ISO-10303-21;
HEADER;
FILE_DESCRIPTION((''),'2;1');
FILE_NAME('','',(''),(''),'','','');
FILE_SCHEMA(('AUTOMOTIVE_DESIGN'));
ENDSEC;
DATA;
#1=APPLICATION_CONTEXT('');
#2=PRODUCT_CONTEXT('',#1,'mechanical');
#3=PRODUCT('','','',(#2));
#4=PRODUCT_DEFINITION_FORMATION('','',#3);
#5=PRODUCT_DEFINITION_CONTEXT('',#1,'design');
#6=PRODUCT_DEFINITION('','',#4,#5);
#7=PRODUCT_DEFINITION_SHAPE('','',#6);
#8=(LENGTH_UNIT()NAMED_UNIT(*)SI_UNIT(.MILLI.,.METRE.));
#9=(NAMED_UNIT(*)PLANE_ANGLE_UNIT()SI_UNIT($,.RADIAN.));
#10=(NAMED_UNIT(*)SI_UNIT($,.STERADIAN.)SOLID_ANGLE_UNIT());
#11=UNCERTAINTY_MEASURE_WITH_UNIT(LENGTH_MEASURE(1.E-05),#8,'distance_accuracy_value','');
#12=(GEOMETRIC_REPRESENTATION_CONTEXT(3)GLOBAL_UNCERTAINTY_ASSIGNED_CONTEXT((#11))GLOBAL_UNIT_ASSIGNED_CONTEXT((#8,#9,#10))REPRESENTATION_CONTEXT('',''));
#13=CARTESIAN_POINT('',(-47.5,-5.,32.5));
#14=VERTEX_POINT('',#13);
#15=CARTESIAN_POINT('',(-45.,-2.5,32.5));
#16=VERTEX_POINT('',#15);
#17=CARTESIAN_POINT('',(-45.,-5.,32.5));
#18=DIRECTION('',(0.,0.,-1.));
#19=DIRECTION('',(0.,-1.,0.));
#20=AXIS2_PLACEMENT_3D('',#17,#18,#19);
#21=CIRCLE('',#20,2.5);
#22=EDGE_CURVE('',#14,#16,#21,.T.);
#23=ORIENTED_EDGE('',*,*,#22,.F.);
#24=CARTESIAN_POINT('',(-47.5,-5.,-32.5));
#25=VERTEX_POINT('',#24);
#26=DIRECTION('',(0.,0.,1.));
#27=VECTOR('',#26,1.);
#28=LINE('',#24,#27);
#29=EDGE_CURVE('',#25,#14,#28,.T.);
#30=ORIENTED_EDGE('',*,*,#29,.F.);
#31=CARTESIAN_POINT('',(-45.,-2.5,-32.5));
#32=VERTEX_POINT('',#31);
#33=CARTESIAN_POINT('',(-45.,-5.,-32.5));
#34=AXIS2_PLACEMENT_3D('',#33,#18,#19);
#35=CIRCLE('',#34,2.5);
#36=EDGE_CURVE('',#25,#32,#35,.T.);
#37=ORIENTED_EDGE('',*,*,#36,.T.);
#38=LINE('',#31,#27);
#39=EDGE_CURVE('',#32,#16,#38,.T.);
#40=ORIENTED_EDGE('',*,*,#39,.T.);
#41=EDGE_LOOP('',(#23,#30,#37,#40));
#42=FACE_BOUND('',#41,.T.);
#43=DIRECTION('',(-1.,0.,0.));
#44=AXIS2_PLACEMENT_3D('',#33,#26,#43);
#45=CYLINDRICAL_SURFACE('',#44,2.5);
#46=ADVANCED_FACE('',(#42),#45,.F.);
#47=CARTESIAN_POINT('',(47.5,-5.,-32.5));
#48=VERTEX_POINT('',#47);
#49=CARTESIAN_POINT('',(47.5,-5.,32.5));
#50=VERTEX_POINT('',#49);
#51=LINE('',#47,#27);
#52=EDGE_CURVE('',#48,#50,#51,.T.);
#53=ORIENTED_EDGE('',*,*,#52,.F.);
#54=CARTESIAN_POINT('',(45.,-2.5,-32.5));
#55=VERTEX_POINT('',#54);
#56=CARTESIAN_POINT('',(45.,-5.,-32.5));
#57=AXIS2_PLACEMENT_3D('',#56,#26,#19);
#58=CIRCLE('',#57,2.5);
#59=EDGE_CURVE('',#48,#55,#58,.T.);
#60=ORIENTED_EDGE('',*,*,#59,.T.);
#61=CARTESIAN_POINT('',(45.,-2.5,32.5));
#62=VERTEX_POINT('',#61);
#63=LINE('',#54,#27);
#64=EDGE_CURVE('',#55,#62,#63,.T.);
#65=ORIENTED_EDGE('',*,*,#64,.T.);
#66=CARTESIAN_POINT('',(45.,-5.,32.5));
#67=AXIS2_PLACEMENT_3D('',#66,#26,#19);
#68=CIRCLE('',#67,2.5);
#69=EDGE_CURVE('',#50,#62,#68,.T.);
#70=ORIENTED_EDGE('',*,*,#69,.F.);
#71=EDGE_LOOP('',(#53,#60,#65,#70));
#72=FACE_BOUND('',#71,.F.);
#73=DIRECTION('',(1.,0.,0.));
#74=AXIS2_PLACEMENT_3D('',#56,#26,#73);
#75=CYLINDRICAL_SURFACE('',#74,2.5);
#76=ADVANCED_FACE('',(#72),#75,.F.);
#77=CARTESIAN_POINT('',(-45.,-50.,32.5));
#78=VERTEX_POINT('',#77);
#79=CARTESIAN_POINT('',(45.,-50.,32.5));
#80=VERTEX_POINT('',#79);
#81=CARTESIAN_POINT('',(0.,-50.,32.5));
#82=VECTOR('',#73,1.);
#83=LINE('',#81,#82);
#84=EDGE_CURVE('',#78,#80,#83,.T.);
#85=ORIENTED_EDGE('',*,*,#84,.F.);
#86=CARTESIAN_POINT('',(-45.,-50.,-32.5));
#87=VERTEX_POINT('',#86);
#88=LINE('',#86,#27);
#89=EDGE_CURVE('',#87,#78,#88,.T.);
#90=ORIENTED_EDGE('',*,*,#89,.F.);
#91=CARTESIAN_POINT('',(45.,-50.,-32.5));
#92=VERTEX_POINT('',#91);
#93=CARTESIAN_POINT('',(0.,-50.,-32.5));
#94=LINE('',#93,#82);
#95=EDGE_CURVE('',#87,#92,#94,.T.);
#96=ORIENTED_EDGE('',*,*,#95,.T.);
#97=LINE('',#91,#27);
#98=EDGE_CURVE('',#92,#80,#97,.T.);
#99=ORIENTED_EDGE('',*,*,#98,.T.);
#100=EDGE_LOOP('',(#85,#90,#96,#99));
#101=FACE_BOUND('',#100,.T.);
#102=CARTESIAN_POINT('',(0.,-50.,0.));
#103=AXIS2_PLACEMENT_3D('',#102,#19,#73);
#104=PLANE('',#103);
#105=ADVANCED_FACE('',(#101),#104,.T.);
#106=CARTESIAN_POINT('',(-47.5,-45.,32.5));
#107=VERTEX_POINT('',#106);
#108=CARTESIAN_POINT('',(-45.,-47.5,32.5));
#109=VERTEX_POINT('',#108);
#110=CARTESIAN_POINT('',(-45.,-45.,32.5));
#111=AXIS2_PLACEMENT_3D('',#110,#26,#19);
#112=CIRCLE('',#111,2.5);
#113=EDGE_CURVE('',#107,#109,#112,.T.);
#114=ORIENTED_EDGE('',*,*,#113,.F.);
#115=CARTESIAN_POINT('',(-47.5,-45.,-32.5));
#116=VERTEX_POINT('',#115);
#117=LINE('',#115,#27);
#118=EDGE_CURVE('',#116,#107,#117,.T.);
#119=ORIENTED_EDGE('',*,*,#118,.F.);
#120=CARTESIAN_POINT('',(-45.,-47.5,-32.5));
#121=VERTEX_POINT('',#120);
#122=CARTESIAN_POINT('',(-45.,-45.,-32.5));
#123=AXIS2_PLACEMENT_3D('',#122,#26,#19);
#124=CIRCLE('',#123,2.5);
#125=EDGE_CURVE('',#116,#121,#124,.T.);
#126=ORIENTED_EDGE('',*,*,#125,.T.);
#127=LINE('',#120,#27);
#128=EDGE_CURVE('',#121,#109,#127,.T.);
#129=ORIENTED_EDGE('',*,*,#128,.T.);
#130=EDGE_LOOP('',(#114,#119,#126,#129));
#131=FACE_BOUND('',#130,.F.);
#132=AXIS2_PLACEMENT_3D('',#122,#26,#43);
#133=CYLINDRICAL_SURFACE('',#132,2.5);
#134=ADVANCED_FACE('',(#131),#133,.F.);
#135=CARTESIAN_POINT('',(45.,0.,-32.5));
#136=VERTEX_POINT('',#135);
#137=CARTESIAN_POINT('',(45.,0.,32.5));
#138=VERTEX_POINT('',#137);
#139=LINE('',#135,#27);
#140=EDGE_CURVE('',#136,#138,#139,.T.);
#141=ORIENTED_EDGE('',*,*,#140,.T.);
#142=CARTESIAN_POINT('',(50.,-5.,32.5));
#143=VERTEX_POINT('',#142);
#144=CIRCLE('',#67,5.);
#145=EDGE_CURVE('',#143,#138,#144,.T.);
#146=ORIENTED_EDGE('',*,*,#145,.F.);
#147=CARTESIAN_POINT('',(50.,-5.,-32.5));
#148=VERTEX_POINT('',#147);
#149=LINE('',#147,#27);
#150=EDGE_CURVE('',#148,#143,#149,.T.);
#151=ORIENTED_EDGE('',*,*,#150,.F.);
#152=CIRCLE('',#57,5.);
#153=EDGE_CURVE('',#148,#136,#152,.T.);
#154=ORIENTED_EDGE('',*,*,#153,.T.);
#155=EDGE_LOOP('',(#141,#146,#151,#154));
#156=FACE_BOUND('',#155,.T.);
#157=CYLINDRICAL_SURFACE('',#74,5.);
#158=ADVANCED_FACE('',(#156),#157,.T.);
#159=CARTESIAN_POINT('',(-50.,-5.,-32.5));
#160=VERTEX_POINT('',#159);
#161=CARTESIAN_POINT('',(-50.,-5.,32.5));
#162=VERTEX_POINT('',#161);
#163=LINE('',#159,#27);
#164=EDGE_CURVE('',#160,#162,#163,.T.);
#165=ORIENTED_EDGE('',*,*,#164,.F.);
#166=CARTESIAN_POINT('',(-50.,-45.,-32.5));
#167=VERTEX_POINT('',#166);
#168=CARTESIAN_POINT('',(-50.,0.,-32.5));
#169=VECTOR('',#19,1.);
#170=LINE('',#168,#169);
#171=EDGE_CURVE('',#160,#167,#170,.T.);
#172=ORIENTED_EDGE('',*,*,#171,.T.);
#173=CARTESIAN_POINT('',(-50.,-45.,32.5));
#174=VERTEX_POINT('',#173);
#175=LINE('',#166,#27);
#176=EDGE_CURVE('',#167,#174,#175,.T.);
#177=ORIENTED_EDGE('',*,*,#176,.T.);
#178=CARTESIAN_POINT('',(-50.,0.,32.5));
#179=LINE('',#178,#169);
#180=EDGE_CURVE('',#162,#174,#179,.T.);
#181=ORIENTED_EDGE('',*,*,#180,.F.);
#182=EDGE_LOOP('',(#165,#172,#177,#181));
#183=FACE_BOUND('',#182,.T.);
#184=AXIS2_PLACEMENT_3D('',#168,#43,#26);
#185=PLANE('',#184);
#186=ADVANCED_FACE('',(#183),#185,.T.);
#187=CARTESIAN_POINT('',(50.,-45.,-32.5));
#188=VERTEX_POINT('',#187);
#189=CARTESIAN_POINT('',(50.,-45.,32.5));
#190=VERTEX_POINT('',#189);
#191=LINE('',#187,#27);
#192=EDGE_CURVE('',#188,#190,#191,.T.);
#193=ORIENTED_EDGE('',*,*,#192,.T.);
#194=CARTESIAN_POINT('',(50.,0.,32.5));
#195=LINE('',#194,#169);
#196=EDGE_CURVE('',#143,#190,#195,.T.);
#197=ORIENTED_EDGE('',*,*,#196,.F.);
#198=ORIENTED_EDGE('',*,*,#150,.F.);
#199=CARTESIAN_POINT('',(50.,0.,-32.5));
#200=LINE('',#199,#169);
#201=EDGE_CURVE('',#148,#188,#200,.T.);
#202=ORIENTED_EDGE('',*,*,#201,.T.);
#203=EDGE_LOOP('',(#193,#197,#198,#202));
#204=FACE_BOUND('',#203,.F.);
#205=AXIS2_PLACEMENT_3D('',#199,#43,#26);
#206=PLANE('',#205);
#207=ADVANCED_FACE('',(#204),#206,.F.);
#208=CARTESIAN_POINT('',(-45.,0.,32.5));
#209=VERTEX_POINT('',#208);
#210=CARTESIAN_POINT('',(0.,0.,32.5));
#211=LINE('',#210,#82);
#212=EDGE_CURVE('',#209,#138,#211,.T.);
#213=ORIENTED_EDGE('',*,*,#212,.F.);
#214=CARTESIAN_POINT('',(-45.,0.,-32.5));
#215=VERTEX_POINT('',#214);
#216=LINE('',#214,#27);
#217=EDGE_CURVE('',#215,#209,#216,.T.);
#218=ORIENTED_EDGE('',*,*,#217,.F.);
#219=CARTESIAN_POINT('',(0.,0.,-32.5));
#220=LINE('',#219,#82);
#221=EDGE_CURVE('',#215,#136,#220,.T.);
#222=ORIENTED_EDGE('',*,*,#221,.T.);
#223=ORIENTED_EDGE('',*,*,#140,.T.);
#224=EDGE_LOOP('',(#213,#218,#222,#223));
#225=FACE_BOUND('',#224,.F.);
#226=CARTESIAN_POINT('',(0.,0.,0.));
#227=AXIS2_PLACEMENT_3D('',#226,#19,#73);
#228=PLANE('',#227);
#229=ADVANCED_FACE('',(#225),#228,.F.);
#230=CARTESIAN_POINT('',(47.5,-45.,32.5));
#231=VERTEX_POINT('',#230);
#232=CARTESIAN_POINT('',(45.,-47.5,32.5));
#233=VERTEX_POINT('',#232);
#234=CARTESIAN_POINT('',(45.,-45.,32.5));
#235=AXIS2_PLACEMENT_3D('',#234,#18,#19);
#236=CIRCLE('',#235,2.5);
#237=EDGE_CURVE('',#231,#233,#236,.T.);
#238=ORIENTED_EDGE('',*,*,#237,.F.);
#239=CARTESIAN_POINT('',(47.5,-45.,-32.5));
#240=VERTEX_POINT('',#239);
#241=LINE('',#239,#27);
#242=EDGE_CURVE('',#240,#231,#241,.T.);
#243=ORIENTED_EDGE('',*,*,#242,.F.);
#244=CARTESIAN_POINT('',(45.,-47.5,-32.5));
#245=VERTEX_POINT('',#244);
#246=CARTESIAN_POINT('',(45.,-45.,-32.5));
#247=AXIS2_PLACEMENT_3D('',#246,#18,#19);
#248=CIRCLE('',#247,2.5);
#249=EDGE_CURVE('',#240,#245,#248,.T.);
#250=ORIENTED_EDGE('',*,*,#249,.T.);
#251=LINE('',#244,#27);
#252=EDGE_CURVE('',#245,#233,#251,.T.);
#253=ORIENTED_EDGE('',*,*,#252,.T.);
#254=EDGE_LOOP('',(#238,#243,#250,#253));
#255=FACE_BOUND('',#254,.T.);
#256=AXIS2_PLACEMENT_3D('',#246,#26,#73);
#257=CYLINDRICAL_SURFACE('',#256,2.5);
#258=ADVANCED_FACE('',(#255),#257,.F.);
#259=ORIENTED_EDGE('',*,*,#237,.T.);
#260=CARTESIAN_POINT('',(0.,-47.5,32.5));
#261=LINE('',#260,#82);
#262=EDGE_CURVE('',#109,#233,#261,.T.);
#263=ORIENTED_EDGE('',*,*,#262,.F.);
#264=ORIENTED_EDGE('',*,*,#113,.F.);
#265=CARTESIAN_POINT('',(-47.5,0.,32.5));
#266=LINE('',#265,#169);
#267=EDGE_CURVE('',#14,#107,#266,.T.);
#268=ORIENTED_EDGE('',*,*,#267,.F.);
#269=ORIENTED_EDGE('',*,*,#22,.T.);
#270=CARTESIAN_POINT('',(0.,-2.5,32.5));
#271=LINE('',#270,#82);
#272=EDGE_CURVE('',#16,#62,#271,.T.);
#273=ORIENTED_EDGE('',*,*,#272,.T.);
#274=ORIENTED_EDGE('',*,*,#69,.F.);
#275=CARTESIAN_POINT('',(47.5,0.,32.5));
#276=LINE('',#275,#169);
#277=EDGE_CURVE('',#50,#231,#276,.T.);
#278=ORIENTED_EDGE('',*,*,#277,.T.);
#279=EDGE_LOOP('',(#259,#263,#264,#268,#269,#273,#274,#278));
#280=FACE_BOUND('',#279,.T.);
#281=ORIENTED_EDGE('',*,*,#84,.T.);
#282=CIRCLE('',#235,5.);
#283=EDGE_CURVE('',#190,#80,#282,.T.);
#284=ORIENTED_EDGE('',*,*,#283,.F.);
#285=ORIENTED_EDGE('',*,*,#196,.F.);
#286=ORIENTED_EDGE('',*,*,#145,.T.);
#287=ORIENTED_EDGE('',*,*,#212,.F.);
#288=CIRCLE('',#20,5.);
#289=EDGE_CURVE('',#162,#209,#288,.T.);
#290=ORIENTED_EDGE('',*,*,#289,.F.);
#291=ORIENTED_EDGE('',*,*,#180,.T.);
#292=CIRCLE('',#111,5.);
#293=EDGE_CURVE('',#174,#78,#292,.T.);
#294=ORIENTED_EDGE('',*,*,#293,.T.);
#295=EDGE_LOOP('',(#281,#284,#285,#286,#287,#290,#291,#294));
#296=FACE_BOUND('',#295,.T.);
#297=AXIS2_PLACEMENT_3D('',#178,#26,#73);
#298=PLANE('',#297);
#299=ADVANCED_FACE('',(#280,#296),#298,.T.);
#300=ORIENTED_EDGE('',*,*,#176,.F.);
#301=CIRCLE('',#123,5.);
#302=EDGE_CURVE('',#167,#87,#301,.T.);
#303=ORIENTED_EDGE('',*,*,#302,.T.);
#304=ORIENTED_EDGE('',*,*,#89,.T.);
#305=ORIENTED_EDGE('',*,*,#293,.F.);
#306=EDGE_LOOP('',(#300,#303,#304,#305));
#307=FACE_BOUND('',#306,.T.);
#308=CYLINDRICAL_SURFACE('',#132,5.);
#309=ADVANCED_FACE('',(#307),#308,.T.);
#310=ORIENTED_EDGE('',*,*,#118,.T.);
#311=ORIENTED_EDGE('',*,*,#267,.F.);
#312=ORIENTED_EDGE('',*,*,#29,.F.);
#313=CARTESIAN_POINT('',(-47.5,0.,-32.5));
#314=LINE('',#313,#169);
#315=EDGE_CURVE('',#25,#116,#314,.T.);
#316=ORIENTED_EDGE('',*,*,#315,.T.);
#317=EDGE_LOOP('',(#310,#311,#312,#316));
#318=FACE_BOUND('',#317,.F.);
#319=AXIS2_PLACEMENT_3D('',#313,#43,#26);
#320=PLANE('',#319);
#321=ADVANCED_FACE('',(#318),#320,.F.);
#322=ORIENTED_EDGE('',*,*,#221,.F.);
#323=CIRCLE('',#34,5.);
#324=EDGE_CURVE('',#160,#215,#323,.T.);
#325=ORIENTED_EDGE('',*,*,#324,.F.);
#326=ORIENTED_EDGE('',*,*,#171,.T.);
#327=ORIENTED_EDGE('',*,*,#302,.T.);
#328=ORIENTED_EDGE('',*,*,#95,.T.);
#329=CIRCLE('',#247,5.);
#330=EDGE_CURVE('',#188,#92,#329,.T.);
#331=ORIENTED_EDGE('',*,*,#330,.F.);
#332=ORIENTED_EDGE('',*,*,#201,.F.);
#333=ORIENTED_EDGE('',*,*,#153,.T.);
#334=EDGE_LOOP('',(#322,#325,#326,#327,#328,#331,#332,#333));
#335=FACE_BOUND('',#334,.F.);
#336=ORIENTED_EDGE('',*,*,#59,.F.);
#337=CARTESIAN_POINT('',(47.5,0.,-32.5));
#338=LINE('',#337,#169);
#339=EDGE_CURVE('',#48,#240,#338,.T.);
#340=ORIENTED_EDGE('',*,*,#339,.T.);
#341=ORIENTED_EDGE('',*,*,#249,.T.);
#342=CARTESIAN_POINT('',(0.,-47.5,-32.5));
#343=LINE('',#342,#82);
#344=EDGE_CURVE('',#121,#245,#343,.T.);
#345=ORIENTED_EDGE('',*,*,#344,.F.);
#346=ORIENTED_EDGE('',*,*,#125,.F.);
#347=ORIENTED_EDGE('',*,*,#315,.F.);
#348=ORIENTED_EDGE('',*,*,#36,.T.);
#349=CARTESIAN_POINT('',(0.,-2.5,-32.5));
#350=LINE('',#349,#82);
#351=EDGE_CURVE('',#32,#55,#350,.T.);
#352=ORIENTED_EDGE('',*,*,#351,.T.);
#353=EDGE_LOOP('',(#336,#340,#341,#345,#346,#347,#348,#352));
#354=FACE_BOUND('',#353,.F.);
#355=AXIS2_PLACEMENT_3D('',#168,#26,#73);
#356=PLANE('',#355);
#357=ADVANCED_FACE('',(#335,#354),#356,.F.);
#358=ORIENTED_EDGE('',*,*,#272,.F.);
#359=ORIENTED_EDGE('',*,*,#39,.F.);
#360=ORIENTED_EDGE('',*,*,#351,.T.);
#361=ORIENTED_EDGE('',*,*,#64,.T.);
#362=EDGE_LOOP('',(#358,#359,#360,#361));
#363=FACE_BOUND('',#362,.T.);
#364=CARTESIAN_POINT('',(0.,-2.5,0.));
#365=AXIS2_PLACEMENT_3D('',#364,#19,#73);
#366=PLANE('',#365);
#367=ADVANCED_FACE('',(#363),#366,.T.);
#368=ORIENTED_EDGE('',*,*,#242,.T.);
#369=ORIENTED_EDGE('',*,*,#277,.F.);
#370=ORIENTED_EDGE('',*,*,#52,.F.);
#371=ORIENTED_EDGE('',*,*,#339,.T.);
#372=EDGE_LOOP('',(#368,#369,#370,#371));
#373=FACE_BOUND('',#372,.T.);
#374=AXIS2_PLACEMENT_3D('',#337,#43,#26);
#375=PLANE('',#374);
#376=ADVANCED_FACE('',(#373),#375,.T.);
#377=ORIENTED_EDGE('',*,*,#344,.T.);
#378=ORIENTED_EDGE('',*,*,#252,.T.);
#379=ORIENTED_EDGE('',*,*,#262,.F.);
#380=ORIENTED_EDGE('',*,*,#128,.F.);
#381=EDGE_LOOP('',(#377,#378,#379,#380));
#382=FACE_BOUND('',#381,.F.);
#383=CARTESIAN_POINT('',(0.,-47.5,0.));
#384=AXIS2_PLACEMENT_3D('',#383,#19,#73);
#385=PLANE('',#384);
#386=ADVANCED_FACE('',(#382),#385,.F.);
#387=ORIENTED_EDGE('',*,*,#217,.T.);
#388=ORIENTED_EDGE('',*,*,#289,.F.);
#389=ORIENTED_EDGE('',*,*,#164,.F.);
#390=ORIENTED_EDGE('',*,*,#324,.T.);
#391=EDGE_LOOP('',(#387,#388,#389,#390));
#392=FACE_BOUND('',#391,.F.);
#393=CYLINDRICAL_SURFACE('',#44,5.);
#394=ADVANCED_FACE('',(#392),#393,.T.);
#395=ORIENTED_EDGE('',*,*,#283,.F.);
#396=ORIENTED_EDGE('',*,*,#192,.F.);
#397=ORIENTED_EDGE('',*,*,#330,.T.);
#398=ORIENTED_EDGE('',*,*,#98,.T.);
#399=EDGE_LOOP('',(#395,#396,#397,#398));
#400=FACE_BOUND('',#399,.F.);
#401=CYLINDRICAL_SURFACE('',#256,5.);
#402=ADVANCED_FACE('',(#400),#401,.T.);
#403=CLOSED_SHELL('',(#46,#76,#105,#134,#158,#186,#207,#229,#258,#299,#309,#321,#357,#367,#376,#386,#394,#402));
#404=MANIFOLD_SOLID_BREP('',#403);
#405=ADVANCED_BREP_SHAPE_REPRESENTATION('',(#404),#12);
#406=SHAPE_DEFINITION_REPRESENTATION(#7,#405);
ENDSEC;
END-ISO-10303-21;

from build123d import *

# Parameters (mm, degrees)
F0_W     = 100
F0_H     = 65
F1_DEPTH = 50
F2_R     = 5
F3_T     = -2.5


with BuildPart() as f1:
    # F0 (on Front) → F1 (new body)
    with BuildSketch(Plane.XZ):
        Rectangle(F0_W, F0_H)
    extrude(amount=F1_DEPTH)

    # F2
    f2_edges = [f1.edges().sort_by_distance(p)[0] for p in [
        (-50, -50, 0),
        (50, -50, 0),
        (-50, 0, 0),
        (50, 0, 0),
    ]]
    fillet(f2_edges, radius=F2_R)

    # F3
    f3_openings = [f1.faces().sort_by_distance(p)[0] for p in [
        (0, -25, 32.5),
        (0, -25, -32.5),
    ]]
    offset(amount=F3_T, openings=f3_openings)


solid = f1.part
